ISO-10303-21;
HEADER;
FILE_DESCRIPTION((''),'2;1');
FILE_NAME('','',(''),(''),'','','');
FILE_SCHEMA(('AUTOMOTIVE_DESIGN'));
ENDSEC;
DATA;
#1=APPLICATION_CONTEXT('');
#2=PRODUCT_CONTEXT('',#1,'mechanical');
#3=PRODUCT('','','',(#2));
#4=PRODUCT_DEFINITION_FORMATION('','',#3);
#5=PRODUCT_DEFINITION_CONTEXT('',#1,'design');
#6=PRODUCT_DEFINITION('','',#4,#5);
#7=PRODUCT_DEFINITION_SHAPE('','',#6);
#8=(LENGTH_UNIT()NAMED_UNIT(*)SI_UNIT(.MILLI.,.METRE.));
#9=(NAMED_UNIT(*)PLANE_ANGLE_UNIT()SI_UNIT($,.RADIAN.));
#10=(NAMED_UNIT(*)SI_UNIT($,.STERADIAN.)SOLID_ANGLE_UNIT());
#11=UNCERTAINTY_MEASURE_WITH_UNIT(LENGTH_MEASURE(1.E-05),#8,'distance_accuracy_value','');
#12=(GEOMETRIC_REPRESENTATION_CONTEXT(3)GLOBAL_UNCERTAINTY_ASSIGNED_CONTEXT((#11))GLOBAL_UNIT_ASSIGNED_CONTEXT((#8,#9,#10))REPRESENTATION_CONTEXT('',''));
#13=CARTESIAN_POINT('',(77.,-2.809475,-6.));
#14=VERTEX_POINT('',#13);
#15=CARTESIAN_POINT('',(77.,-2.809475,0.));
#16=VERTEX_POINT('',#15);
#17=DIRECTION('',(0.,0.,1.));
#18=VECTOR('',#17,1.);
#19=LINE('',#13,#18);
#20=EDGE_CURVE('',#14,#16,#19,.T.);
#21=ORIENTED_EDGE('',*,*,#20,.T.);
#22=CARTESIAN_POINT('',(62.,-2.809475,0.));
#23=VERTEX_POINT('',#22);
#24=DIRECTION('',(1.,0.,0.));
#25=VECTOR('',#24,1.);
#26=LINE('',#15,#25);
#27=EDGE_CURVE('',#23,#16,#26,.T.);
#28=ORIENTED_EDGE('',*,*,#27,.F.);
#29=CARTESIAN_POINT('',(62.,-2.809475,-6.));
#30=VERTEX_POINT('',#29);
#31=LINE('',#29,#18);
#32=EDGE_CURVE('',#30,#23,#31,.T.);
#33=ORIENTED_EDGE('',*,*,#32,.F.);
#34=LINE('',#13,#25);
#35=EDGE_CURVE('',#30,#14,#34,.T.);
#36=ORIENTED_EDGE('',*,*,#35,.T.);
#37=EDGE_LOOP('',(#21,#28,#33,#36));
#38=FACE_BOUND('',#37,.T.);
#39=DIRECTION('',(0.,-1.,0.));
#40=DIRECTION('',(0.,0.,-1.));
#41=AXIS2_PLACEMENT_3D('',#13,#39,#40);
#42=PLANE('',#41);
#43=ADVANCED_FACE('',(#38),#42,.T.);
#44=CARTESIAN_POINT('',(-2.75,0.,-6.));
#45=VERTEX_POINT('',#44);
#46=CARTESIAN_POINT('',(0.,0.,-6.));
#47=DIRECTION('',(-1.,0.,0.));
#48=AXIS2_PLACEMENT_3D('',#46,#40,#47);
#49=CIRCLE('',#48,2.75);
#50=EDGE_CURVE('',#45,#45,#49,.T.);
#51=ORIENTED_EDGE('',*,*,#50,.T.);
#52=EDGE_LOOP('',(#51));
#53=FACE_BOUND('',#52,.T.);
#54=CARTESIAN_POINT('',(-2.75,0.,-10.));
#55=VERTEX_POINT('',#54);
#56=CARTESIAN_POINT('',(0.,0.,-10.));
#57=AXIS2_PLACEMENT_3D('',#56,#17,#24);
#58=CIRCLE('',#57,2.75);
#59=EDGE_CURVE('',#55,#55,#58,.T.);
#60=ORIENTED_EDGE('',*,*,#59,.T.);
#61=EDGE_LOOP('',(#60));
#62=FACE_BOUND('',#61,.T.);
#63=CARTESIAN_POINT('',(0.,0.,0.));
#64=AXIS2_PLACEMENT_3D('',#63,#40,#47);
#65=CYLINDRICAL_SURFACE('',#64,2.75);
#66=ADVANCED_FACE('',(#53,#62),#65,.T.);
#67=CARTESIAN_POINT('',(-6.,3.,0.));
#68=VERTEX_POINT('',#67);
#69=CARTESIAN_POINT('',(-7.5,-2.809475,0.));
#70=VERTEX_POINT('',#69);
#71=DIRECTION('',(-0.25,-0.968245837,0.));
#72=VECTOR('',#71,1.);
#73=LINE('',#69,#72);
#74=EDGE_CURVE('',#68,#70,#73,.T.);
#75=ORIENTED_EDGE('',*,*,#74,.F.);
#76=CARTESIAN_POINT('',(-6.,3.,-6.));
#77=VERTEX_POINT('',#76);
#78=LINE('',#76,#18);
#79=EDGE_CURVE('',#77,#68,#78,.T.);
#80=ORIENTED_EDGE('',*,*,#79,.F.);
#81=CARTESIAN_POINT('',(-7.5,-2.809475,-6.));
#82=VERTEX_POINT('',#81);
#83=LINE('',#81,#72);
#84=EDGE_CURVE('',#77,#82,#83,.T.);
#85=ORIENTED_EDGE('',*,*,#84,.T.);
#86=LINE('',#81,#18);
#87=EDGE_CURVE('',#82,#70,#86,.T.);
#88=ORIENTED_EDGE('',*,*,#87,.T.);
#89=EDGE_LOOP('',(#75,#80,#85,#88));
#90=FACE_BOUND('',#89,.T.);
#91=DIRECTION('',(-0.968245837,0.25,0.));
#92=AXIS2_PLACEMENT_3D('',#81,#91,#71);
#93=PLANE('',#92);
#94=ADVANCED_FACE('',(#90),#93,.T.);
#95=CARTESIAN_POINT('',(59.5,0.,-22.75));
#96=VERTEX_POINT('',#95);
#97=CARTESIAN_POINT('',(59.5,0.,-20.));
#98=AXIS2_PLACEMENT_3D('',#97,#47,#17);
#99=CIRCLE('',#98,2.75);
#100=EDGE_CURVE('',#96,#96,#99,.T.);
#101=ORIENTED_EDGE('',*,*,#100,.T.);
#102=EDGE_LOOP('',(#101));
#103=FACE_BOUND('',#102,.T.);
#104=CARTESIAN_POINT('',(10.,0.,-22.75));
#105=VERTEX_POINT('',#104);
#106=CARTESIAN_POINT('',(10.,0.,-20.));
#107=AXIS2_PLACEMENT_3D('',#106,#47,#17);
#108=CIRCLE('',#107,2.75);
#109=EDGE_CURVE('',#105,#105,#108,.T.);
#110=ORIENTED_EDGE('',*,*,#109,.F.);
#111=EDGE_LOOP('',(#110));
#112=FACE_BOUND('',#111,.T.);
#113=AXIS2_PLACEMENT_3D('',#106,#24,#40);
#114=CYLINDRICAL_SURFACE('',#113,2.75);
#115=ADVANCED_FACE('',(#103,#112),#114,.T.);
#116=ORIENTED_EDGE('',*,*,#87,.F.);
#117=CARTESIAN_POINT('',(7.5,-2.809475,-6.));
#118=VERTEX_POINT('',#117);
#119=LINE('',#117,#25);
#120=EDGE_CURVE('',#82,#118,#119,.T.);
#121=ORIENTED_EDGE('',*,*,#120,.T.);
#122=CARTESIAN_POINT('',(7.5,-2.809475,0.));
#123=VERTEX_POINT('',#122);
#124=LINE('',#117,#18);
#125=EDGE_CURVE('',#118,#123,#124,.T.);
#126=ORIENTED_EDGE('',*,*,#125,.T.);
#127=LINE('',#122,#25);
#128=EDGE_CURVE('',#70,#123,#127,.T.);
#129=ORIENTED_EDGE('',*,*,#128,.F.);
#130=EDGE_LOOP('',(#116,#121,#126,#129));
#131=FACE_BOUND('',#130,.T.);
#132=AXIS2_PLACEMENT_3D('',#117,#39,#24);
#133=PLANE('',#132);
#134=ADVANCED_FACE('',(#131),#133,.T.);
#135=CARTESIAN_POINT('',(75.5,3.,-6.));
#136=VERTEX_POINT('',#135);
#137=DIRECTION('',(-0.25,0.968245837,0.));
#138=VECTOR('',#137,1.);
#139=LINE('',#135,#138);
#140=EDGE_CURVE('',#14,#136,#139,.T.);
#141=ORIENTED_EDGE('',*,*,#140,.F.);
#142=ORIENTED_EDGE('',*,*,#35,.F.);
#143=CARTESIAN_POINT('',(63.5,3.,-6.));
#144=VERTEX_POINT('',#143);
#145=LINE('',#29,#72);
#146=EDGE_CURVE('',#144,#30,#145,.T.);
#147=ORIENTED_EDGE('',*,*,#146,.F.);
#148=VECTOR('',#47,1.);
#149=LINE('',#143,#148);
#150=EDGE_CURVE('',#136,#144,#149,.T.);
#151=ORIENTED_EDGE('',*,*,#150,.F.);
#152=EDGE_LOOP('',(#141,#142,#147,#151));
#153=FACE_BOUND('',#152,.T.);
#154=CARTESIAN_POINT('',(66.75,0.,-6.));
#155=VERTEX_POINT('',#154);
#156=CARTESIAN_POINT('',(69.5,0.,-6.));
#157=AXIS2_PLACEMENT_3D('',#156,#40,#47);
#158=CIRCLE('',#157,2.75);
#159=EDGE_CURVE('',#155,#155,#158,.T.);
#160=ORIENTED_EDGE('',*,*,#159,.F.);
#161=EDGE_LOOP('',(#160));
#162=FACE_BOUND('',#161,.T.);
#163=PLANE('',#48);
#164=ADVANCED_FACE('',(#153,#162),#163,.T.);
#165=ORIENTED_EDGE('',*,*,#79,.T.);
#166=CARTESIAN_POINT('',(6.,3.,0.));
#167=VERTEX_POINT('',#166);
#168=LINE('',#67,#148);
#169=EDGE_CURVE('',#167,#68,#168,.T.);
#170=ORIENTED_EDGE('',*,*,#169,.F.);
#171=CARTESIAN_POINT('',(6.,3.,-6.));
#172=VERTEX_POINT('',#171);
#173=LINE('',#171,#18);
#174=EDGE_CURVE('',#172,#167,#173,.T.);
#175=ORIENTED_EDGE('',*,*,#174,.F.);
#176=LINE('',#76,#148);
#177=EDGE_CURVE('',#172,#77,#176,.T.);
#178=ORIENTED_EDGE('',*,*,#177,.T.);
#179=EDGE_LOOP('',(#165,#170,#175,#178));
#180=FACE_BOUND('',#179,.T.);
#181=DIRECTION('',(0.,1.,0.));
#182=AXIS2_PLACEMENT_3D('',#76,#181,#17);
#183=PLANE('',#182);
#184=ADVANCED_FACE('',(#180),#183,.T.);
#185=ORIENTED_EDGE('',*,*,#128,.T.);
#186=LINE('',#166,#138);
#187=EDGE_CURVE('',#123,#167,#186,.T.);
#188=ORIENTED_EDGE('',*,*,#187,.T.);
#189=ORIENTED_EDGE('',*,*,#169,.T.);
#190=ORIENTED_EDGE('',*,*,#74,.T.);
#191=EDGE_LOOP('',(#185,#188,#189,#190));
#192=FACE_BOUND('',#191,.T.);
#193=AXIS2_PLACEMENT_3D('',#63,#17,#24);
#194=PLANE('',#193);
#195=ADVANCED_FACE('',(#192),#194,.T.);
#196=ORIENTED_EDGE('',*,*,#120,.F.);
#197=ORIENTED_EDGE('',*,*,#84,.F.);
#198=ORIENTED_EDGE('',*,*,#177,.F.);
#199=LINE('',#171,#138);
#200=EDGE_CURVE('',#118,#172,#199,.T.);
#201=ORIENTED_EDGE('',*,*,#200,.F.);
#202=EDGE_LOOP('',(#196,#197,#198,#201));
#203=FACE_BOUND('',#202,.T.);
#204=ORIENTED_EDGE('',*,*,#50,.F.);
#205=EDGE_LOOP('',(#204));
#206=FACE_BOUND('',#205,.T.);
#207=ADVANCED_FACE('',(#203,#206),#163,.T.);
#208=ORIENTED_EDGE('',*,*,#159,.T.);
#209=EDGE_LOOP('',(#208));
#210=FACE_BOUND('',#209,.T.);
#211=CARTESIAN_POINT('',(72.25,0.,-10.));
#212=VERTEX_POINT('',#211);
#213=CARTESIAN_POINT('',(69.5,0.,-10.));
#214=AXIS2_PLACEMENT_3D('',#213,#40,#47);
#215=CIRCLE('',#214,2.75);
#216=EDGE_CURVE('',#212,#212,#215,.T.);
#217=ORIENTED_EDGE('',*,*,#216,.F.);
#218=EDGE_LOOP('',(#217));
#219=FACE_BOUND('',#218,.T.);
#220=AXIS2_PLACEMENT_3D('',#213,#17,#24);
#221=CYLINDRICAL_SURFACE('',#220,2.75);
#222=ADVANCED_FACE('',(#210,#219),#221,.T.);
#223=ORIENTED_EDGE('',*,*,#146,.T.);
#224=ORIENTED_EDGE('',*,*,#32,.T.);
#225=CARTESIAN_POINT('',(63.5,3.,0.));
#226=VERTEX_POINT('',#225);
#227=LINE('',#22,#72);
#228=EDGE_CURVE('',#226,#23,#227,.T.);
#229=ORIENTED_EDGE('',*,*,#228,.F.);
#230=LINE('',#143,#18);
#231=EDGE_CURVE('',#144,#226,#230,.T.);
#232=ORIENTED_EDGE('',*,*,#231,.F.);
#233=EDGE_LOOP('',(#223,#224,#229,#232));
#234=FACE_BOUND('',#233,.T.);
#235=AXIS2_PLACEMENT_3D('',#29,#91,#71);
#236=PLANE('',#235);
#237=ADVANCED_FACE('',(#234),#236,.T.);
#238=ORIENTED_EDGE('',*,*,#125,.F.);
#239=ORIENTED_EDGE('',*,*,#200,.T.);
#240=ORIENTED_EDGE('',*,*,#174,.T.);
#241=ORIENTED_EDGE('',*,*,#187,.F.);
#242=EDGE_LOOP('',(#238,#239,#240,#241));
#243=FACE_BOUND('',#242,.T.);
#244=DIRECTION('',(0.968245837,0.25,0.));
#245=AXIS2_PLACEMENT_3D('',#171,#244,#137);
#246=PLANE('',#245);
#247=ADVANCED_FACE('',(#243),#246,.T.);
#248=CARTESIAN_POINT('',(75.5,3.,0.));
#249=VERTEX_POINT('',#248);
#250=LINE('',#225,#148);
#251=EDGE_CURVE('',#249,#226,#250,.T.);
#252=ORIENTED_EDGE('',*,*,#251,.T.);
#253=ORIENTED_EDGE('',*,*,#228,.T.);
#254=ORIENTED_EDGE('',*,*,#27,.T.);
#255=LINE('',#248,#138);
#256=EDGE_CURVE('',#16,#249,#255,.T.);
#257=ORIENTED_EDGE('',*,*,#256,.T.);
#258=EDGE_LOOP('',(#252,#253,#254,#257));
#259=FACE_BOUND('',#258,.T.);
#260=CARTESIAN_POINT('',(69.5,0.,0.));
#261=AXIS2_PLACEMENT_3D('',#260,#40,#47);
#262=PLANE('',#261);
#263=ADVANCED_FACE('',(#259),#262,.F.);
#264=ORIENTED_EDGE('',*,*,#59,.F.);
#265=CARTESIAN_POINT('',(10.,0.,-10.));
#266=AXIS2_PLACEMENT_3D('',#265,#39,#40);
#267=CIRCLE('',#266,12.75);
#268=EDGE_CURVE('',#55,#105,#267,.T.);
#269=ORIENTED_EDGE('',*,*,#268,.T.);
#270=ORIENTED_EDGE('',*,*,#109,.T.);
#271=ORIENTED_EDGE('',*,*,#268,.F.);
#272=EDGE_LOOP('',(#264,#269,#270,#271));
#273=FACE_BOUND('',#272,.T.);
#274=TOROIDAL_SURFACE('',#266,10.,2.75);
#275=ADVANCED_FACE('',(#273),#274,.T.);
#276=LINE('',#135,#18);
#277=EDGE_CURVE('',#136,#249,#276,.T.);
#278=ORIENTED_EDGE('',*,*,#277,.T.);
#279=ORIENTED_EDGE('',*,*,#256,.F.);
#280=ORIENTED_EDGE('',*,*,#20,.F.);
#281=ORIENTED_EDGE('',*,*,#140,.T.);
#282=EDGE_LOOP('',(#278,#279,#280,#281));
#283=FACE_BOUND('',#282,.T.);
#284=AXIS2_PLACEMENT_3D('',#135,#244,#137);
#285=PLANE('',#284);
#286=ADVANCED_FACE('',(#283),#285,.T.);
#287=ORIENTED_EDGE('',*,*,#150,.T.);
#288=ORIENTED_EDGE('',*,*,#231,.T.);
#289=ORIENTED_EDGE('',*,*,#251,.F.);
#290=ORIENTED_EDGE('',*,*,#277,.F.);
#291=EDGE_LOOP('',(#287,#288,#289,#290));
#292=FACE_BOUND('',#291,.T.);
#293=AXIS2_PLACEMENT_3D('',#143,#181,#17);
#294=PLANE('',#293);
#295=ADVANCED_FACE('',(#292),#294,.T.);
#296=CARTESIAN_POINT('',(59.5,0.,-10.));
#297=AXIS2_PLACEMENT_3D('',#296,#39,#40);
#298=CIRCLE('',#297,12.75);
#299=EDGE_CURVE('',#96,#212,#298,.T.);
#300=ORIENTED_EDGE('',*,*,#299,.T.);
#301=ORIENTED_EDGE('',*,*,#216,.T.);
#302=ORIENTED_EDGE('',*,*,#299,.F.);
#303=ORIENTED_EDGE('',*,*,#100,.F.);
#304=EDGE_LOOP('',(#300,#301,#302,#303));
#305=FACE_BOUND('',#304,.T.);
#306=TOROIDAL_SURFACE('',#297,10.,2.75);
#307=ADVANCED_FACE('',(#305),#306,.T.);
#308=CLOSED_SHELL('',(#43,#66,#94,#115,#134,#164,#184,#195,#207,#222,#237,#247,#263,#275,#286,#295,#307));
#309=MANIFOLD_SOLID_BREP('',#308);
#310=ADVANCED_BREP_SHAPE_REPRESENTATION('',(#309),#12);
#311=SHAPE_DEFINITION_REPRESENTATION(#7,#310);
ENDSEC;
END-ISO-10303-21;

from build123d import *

# Parameters (mm, degrees)
SKETCH_2_R      = 2.75
EXTRUDE_1_DEPTH = 6
EXTRUDE_2_DEPTH = 6


with BuildPart() as part:
    # По траектории1: sweep along a path in Эскиз1
    with BuildLine(Plane(origin=(0, 0, 0), x_dir=(1, 0, 0), z_dir=(0, 1, 0))) as sweep_1_path:
        Line((0, 0), (0, 10))
        ThreePointArc((0, 10), (2.928932188, 17.071067812), (10, 20))
        Line((10, 20), (59.5, 20))
        ThreePointArc((59.5, 20), (66.571067812, 17.071067812), (69.5, 10))
        Line((69.5, 10), (69.5, 0))
    # Эскиз2 → По траектории1 (sweep)
    with BuildSketch(Plane.XY):
        Circle(SKETCH_2_R)
    sweep(path=sweep_1_path.line)

    # Эскиз3 → Бобышка-Вытянуть1 (add)
    with BuildSketch(Plane.XY):
        Polygon((-6, 3), (6, 3), (7.5, -2.809475019), (-7.5, -2.809475019), align=None)
    extrude(amount=-EXTRUDE_1_DEPTH)

    # Эскиз4 → Бобышка-Вытянуть2 (add)
    with BuildSketch(Plane.XY):
        Polygon((63.5, 3), (75.5, 3), (77, -2.809475019), (62, -2.809475019), align=None)
    extrude(amount=-EXTRUDE_2_DEPTH)


solid = part.part
